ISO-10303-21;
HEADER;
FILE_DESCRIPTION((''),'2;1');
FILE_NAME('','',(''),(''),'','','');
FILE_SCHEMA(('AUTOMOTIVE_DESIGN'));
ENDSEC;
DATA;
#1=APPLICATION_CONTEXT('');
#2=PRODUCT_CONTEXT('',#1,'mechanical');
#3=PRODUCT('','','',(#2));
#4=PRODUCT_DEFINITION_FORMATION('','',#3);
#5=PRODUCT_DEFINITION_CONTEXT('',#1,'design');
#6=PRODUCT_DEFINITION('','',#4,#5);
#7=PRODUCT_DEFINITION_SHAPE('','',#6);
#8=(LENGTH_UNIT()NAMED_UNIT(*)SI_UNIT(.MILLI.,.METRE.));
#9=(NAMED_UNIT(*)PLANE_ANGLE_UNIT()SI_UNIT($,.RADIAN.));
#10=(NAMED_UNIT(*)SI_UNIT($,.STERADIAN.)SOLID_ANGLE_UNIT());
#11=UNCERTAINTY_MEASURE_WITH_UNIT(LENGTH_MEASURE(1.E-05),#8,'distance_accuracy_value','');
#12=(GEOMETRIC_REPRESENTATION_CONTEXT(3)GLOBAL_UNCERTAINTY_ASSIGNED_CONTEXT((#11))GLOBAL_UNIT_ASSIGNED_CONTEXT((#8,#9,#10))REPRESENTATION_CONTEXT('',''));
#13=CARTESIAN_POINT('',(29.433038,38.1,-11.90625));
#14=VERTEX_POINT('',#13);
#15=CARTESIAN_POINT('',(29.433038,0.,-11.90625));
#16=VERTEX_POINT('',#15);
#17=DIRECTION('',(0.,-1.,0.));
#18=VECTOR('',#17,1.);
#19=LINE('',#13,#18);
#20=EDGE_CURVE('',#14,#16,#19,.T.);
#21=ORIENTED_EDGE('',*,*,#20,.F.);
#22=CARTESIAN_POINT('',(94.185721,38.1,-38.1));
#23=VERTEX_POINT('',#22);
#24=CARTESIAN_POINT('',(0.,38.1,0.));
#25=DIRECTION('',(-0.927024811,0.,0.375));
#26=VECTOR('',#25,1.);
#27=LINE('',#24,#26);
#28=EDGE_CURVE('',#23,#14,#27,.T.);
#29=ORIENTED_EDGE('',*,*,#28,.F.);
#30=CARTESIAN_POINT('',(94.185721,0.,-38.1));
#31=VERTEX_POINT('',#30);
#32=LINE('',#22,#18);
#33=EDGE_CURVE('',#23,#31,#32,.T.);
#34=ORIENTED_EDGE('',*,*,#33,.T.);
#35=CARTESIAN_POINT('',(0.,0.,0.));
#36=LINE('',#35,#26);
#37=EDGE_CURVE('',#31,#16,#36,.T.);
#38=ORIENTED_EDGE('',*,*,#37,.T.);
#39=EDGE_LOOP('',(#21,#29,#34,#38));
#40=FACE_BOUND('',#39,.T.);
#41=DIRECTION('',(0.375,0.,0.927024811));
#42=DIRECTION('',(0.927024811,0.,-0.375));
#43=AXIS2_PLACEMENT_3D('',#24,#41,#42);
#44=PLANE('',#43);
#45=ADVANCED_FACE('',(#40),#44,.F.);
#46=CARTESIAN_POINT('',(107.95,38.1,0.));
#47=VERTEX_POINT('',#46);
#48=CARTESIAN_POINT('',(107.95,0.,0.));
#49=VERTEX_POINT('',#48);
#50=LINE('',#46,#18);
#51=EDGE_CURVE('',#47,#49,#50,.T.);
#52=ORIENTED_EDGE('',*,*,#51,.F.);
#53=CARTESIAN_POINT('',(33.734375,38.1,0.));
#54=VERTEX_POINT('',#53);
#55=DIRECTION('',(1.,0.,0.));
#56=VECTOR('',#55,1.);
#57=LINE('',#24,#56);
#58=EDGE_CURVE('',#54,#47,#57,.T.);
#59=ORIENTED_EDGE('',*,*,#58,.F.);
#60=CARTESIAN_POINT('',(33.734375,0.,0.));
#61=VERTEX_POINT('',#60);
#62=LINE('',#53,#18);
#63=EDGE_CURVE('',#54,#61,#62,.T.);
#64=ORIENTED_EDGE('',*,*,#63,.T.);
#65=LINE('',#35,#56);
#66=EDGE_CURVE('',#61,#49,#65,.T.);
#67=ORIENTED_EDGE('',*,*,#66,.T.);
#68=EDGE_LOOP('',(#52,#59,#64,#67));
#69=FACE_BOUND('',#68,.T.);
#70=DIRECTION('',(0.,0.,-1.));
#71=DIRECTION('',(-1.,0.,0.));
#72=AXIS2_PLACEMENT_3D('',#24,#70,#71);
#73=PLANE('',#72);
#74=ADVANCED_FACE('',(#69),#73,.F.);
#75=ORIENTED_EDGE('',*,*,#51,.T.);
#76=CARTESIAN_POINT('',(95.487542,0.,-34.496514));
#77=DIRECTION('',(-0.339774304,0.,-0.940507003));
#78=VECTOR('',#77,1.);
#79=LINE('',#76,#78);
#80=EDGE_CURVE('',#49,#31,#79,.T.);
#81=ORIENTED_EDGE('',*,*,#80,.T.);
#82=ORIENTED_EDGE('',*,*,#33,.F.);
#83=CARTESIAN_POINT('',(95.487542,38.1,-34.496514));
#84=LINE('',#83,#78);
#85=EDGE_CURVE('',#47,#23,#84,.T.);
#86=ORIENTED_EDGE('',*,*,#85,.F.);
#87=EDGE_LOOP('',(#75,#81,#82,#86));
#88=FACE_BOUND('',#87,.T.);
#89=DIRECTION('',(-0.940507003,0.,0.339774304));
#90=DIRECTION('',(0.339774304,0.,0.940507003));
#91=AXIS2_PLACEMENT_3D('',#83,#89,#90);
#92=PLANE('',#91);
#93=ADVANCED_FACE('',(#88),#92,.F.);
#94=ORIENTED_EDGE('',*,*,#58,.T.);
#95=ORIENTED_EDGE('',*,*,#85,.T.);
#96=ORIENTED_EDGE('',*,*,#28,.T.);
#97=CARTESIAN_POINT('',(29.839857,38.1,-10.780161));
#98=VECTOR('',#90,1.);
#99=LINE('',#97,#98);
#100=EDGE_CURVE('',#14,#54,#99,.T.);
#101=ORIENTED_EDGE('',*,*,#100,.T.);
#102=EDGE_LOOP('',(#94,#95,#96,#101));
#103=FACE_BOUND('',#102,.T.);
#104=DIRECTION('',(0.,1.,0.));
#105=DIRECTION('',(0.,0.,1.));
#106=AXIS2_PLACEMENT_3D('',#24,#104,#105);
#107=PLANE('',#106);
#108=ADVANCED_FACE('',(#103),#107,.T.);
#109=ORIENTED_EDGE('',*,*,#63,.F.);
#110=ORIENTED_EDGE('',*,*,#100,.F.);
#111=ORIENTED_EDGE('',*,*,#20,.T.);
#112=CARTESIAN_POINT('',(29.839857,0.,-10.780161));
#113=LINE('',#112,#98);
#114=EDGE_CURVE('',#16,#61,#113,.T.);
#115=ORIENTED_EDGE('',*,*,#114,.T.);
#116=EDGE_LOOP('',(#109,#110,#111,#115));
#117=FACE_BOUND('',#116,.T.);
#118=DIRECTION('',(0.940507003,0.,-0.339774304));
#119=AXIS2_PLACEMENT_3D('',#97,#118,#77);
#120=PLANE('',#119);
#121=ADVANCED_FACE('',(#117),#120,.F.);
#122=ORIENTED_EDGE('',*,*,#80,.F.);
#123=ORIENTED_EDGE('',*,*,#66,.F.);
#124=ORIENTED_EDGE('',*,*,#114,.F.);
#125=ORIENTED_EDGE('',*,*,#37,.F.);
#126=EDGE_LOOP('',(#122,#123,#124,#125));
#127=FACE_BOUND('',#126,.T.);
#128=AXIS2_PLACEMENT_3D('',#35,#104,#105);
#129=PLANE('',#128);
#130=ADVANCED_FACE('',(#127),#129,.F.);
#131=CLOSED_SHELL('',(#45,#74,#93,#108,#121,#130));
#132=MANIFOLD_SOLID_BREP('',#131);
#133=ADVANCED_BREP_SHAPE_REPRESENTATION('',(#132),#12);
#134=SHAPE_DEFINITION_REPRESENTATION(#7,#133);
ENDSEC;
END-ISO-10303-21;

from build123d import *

# Parameters (mm, degrees)
BOSS_EXTRUDE1_DEPTH = 38.1


with BuildPart() as part:
    # Sketch1 → Boss-Extrude1 (new body)
    with BuildSketch(Plane(origin=(0, 0, 0), x_dir=(1, 0, 0), z_dir=(0, 1, 0))):
        Polygon((29.433037746, 11.90625), (33.734375, 0), (94.185720786, 0), (94.185720786, 38.1), align=None)
        Polygon((94.185720786, 38.1), (94.185720786, 0), (107.95, 0), align=None)
    extrude(amount=BOSS_EXTRUDE1_DEPTH)


solid = part.part
